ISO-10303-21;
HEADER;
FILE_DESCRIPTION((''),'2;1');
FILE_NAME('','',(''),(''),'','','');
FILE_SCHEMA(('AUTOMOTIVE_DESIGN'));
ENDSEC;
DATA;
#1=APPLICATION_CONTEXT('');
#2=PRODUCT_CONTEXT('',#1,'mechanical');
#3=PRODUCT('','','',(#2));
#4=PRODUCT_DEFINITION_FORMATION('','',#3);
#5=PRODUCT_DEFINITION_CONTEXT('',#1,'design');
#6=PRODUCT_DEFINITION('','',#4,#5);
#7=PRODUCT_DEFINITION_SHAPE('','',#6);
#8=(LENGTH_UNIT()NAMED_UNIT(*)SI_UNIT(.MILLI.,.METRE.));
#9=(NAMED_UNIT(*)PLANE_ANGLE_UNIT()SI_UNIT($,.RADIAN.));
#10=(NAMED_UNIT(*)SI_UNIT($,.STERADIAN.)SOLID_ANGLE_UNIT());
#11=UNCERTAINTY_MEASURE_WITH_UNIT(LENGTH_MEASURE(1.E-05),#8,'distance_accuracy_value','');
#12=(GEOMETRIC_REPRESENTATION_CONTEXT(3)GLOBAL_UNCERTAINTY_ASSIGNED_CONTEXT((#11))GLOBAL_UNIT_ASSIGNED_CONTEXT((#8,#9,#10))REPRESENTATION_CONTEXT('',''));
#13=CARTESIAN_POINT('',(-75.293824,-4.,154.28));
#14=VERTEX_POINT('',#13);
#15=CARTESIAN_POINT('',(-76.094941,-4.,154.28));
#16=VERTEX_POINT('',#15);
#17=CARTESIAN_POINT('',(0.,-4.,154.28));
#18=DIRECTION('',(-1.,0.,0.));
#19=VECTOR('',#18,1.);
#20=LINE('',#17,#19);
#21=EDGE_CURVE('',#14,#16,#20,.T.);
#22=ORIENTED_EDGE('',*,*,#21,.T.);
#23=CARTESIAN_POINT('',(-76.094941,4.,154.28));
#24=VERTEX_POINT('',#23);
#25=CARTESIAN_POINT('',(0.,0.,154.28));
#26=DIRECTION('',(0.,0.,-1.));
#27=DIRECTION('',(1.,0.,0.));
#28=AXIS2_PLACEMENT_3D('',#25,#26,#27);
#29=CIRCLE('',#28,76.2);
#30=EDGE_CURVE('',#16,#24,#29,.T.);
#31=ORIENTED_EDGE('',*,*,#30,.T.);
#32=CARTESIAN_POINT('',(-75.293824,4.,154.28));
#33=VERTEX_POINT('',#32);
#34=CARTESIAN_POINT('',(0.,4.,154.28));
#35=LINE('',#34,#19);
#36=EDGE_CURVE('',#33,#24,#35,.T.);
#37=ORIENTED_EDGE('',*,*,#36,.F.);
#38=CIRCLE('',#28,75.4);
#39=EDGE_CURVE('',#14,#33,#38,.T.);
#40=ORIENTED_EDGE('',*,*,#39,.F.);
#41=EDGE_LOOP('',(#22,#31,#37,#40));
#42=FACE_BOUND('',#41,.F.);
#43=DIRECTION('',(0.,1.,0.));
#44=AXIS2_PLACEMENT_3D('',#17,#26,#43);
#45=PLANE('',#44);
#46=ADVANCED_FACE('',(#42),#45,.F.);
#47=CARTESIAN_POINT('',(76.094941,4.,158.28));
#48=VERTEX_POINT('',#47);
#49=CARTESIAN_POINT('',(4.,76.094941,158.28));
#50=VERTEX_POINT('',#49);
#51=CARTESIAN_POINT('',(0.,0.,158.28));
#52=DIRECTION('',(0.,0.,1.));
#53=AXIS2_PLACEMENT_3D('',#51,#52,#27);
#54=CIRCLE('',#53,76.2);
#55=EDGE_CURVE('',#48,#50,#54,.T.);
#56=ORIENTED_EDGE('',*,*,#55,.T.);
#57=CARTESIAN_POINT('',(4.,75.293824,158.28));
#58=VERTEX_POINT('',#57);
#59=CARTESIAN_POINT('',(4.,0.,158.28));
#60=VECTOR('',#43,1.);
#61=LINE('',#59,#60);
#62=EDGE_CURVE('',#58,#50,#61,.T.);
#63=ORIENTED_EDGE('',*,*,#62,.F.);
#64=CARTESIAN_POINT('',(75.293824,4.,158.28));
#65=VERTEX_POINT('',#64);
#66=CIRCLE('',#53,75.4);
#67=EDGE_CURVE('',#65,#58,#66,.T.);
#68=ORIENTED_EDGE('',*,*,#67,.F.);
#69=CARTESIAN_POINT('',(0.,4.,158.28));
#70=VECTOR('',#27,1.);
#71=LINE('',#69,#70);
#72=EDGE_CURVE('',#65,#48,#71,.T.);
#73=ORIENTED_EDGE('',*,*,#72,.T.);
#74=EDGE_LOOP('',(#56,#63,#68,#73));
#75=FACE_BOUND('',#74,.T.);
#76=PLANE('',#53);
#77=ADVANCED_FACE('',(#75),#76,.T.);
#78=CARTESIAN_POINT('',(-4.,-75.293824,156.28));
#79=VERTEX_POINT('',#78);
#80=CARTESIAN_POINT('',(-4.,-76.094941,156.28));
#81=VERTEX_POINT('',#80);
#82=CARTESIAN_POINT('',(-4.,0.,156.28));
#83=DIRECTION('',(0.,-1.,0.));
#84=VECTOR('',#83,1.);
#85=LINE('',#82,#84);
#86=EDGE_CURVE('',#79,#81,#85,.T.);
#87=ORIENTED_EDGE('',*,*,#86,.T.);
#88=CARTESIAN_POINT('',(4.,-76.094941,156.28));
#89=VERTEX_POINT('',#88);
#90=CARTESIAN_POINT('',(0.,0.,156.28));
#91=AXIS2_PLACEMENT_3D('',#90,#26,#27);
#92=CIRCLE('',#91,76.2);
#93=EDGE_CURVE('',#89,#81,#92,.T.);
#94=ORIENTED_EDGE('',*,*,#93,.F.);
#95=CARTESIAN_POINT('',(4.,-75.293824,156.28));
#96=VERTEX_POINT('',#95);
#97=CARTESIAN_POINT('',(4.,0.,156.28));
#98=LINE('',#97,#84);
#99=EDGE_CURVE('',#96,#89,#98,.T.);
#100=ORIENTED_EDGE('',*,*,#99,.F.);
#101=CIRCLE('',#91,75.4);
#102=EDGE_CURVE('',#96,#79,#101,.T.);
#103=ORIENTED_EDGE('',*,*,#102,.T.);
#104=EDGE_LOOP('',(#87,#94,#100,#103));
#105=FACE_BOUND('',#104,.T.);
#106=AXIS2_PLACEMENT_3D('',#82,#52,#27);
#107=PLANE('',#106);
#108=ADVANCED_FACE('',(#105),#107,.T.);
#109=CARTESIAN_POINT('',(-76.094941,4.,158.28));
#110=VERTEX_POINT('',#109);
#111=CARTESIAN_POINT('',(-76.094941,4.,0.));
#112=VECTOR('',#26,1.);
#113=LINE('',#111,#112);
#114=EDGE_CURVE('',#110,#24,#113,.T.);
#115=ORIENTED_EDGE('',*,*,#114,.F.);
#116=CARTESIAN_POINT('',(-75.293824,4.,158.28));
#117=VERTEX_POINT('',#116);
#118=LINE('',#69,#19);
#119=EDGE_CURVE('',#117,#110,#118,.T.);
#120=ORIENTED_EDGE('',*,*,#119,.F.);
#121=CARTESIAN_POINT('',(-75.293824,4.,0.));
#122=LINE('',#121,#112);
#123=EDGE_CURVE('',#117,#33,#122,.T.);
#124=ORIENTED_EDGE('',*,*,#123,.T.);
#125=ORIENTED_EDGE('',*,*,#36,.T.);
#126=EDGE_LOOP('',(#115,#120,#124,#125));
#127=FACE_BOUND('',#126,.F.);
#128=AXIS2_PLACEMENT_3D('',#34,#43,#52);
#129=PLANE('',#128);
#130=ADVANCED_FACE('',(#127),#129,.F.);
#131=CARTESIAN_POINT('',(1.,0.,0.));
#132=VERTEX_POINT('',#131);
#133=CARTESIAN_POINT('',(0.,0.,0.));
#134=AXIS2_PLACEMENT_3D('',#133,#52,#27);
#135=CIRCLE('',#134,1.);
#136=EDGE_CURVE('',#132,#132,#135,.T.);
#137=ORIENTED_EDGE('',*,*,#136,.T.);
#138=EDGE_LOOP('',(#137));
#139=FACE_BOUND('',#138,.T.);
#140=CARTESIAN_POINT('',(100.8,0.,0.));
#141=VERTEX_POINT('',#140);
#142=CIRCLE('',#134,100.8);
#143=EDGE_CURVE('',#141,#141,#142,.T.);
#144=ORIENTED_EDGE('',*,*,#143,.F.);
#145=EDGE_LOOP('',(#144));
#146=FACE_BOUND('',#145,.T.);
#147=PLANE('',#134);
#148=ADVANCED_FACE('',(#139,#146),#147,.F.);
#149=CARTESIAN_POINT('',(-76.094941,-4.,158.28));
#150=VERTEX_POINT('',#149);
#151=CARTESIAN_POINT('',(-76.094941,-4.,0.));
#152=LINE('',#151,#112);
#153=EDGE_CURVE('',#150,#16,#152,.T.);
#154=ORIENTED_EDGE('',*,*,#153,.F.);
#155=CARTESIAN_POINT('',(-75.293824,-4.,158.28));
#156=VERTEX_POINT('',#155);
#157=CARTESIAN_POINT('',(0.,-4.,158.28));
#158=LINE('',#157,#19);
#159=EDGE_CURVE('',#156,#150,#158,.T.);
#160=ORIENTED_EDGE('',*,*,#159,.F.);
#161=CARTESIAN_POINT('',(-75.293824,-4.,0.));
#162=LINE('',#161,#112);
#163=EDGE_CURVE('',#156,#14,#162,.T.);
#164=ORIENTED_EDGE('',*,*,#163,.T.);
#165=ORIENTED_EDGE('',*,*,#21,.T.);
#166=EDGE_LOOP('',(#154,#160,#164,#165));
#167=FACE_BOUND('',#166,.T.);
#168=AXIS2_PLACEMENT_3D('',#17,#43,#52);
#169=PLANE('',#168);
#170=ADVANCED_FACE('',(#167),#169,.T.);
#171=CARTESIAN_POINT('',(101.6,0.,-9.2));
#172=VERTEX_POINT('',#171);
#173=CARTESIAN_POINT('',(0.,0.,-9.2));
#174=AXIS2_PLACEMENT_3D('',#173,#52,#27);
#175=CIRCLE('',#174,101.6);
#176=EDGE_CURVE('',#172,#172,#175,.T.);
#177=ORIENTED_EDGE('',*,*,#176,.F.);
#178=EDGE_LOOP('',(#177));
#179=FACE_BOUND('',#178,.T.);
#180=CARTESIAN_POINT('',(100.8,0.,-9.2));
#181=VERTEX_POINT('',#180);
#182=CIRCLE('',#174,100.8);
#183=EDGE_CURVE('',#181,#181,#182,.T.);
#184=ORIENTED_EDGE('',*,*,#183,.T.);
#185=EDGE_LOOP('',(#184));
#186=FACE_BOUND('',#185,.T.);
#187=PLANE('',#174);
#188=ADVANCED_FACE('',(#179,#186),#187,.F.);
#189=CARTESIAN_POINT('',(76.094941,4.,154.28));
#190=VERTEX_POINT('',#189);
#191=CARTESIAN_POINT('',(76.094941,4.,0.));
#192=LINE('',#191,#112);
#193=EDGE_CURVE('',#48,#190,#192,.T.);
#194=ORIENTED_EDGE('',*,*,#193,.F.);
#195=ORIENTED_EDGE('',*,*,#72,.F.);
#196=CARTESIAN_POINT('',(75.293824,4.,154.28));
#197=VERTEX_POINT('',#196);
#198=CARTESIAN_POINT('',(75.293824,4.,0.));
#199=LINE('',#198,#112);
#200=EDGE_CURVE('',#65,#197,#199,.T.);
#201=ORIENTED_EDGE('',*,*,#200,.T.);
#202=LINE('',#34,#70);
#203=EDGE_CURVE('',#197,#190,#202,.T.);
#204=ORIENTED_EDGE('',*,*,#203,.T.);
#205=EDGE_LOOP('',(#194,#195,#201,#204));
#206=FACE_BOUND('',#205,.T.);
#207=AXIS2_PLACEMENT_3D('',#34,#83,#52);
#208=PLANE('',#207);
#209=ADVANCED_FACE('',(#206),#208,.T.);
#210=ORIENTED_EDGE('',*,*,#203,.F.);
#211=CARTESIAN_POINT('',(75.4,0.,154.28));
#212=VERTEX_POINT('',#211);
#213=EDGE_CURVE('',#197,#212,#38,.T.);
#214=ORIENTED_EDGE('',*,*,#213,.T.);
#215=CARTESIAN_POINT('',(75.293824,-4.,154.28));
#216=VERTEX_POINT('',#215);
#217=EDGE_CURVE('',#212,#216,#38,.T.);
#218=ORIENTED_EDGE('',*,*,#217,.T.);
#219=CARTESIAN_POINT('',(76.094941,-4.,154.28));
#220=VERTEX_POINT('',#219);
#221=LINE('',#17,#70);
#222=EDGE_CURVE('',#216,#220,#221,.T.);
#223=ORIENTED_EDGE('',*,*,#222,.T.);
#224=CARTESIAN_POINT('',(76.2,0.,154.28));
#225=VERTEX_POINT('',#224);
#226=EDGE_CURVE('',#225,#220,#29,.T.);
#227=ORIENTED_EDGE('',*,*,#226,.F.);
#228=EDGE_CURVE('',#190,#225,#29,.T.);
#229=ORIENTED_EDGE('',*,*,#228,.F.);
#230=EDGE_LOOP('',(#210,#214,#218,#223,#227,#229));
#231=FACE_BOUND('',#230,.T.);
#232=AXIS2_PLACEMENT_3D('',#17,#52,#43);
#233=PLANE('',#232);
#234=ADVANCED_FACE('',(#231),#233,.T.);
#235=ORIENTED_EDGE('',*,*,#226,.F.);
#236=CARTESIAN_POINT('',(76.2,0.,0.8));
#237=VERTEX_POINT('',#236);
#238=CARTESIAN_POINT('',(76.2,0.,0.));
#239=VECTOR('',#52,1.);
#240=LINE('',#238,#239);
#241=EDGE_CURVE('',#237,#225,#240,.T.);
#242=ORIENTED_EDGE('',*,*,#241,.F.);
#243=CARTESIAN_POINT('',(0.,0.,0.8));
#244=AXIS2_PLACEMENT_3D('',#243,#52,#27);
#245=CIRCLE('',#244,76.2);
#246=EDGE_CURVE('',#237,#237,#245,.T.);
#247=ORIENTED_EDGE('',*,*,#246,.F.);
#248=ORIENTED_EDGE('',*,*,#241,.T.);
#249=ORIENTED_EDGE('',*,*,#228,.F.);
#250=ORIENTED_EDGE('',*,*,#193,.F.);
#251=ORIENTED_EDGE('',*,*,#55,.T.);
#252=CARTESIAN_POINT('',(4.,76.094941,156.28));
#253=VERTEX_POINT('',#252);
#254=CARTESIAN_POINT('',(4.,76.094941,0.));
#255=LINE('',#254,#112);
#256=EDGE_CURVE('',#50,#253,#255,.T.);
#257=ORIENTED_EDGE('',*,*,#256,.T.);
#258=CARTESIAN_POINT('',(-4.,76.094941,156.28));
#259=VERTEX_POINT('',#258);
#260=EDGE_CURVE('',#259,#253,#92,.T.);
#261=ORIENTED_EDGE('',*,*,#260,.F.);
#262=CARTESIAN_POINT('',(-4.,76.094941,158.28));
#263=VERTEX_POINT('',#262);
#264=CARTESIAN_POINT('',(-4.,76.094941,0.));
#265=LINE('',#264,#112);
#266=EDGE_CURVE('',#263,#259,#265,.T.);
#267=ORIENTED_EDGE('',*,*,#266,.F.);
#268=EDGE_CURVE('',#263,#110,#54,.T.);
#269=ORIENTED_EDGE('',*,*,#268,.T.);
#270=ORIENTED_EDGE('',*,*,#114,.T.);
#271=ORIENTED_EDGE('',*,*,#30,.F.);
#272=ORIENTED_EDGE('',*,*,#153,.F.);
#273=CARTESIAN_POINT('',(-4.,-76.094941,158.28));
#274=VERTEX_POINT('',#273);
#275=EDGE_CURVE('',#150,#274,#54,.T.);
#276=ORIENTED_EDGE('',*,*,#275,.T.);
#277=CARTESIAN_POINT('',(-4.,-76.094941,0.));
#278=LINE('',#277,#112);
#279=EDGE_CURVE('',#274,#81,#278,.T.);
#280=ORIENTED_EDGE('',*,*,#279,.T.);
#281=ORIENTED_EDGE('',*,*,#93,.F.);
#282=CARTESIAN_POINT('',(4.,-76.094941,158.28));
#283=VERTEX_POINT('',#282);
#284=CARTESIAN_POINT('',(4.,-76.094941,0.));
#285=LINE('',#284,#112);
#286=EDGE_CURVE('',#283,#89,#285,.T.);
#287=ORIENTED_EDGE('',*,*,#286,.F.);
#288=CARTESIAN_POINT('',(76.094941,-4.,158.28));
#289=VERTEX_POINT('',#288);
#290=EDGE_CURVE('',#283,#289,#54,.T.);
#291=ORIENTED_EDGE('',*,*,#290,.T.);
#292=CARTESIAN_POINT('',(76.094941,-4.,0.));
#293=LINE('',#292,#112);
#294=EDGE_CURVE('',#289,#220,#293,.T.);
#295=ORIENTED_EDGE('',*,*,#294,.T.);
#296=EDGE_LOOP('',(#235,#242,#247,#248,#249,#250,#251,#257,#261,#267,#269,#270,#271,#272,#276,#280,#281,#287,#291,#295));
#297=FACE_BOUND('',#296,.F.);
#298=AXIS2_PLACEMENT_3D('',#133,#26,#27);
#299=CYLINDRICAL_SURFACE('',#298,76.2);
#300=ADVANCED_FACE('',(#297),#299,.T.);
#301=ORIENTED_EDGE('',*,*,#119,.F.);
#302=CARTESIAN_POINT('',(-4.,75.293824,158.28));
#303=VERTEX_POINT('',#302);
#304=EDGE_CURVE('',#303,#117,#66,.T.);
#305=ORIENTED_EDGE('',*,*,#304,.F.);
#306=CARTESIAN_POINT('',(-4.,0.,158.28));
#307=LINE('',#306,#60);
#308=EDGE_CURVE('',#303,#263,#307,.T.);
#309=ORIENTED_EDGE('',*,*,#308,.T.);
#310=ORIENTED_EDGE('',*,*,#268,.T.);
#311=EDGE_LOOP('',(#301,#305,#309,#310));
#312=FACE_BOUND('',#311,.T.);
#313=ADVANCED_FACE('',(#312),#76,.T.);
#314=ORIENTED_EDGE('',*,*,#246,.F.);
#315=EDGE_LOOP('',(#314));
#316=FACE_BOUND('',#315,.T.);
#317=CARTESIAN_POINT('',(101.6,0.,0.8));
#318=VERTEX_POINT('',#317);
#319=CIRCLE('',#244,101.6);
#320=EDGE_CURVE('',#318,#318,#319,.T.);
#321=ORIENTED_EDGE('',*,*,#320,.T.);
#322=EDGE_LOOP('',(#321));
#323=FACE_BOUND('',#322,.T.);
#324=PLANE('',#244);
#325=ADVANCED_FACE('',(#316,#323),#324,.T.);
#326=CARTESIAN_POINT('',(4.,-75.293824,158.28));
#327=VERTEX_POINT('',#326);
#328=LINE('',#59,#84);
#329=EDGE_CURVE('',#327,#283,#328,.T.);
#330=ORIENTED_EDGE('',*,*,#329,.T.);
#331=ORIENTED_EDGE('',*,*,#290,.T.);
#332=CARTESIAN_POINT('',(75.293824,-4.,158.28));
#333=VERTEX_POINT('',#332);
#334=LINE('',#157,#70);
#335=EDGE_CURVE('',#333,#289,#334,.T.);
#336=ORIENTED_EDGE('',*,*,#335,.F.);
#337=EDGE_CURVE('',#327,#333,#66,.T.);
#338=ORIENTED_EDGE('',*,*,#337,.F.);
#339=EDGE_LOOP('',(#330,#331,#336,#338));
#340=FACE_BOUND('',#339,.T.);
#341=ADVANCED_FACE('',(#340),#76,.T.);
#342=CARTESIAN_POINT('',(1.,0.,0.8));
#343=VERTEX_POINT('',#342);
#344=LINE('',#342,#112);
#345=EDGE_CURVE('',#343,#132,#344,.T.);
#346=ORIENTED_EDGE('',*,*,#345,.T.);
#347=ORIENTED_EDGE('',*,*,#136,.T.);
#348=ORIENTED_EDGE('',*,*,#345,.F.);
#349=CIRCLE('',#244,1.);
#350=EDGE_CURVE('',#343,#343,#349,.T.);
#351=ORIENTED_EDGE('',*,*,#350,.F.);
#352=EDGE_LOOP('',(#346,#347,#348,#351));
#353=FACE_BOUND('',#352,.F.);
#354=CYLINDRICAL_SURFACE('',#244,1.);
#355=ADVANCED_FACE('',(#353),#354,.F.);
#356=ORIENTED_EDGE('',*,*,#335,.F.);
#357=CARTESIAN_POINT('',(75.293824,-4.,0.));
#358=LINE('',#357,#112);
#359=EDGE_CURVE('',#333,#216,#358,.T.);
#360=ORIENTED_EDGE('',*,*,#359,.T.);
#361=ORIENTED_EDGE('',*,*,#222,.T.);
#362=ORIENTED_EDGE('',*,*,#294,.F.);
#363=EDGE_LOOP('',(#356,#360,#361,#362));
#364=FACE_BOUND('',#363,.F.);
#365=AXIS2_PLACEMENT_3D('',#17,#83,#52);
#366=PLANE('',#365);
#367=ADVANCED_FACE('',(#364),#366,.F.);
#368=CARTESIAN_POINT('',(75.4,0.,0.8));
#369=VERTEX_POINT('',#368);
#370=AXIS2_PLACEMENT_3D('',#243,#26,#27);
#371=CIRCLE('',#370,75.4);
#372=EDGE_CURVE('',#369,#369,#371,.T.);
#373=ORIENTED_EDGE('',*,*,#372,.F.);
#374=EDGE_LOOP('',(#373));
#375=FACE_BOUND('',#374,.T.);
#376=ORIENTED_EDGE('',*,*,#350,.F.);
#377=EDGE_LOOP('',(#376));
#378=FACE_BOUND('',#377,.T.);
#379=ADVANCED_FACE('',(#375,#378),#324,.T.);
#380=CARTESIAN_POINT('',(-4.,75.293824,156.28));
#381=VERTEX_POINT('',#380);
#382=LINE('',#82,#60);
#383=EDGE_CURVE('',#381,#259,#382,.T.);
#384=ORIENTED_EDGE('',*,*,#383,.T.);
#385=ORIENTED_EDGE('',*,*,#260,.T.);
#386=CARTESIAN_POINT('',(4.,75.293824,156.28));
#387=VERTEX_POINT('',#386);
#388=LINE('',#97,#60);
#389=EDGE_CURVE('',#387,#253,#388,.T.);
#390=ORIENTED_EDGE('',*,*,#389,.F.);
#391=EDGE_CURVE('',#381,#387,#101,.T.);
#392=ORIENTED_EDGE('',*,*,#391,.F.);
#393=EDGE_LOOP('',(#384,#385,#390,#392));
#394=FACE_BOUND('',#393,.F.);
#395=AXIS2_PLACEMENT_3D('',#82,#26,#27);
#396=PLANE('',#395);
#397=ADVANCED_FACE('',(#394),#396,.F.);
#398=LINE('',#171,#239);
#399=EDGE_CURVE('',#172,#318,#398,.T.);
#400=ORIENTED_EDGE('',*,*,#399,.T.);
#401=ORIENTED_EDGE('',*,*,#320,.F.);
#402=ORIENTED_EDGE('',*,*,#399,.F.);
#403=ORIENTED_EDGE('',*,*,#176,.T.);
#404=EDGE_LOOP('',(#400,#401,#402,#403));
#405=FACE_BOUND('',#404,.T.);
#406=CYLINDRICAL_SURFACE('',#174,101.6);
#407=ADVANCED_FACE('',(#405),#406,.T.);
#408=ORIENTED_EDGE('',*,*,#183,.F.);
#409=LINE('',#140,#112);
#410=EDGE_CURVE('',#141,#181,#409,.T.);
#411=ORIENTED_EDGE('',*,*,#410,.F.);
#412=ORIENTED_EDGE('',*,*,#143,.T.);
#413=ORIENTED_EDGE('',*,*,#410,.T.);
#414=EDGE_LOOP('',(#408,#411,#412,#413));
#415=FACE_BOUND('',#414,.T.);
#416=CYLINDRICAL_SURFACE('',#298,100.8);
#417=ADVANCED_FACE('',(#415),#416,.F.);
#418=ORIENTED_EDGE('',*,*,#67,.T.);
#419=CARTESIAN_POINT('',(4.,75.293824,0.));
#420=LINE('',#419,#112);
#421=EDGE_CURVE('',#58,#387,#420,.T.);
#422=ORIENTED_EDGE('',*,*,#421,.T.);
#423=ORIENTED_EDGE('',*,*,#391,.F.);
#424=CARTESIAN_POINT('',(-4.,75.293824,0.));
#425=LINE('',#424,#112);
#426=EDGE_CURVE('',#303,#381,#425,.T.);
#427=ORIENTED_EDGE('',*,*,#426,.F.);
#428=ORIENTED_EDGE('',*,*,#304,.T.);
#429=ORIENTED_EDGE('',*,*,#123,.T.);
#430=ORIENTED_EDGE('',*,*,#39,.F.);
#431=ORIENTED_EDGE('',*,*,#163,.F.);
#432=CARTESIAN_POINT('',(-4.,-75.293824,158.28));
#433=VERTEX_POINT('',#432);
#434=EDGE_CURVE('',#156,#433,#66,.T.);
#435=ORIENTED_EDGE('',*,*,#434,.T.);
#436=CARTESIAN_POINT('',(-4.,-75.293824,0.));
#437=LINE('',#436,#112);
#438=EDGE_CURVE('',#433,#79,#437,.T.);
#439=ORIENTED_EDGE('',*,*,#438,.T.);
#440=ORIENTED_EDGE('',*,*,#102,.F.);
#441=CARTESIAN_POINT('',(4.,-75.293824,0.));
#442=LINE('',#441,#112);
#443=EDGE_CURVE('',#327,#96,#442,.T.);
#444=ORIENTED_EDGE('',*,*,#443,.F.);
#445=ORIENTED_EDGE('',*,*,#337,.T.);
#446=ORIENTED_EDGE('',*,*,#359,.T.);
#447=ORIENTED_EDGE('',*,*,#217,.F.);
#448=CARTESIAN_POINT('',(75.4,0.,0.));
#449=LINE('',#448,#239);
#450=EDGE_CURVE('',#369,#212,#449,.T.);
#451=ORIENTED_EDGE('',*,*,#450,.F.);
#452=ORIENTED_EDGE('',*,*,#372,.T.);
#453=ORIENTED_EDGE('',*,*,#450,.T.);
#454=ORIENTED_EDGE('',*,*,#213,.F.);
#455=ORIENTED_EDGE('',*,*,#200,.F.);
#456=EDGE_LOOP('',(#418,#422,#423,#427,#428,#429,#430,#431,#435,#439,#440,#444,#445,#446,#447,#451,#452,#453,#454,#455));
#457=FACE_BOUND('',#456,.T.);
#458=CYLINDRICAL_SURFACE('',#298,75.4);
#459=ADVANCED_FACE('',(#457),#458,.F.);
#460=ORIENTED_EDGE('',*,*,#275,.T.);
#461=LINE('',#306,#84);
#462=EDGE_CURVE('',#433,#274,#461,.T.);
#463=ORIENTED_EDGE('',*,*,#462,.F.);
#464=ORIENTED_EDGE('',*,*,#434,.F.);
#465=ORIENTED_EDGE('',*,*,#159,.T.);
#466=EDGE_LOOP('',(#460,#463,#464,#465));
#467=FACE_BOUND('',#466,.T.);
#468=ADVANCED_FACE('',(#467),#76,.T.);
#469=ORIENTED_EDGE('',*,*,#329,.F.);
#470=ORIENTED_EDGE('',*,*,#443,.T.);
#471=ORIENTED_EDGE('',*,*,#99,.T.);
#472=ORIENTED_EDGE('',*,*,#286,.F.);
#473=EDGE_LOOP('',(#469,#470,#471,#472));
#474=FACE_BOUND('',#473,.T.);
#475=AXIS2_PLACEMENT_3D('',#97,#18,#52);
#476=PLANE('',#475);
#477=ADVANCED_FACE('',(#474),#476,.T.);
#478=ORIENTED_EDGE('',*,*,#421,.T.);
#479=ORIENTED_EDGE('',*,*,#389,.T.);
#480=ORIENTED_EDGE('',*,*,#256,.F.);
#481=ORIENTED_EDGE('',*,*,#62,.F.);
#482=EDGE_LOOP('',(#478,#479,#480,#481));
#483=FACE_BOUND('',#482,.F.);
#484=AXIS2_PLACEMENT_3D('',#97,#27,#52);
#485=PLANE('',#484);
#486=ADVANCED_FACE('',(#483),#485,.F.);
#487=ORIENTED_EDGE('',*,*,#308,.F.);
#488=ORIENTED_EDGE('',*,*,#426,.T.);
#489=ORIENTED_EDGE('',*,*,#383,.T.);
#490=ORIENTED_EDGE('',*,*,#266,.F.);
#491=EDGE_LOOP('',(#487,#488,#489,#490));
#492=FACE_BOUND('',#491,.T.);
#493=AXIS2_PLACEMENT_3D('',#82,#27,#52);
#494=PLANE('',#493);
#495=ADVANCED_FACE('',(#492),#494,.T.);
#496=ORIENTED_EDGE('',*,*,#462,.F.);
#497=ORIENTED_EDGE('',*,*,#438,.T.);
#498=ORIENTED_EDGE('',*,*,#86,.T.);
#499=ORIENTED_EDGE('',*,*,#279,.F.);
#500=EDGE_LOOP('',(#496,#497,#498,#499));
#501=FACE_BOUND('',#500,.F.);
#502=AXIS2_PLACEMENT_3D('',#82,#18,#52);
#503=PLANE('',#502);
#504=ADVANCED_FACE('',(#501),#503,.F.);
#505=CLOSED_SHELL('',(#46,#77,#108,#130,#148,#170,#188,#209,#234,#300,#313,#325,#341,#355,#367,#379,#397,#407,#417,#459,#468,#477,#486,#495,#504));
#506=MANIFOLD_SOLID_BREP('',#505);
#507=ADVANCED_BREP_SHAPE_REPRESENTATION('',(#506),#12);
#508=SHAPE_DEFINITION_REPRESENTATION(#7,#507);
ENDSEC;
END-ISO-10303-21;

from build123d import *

# Parameters (mm, degrees)
F0_R          = 76.2
F1_DEPTH      = 158.28
F2_T          = -0.8
F3_R          = 1
F4_DEPTH      = 0.8
F5_W          = 8
F5_H          = 2
F6_DEPTH      = 76.201
F6_DEPTH_BACK = 76.201
F7_W          = 8
F7_H          = 4
F8_DEPTH      = 76.201
F8_DEPTH_BACK = 76.201


with BuildPart() as f1:
    # F0 (on Top) → F1 (new body)
    with BuildSketch(Plane.XY):
        Circle(F0_R)
    extrude(amount=F1_DEPTH)

    # F2
    f2_openings = [f1.faces().sort_by_distance(p)[0] for p in [
        (0, 0, 158.28),
    ]]
    offset(amount=F2_T, openings=f2_openings)

    # F3 (on face) → F4 (cut, through all)
    with BuildSketch(Plane.XY.offset(0.8)):
        Circle(F3_R)
    extrude(amount=-F4_DEPTH, mode=Mode.SUBTRACT)

    # F5 (on Front) → F6 (cut, two sides)
    with BuildSketch(Plane.XZ) as f6_sk:
        with Locations((0, 157.28)):
            Rectangle(F5_W, F5_H)
    extrude(amount=-F6_DEPTH, mode=Mode.SUBTRACT)
    extrude(f6_sk.sketch, amount=F6_DEPTH_BACK, mode=Mode.SUBTRACT)

    # F7 (on Right) → F8 (cut, two sides)
    with BuildSketch(Plane.YZ) as f8_sk:
        with Locations((0, 156.28)):
            Rectangle(F7_W, F7_H)
    extrude(amount=-F8_DEPTH, mode=Mode.SUBTRACT)
    extrude(f8_sk.sketch, amount=F8_DEPTH_BACK, mode=Mode.SUBTRACT)

    # F9 (on Front) → F10 (revolve)
    with BuildSketch(Plane.XZ):
        Polygon((76.2, 0.8), (76.2, 0), (100.8, 0), (100.8, -9.2), (101.6, -9.2), (101.6, 0.8), align=None)
    revolve(axis=Axis((0, 0, 18.5718685389), (0, 0, 1)))


solid = f1.part
